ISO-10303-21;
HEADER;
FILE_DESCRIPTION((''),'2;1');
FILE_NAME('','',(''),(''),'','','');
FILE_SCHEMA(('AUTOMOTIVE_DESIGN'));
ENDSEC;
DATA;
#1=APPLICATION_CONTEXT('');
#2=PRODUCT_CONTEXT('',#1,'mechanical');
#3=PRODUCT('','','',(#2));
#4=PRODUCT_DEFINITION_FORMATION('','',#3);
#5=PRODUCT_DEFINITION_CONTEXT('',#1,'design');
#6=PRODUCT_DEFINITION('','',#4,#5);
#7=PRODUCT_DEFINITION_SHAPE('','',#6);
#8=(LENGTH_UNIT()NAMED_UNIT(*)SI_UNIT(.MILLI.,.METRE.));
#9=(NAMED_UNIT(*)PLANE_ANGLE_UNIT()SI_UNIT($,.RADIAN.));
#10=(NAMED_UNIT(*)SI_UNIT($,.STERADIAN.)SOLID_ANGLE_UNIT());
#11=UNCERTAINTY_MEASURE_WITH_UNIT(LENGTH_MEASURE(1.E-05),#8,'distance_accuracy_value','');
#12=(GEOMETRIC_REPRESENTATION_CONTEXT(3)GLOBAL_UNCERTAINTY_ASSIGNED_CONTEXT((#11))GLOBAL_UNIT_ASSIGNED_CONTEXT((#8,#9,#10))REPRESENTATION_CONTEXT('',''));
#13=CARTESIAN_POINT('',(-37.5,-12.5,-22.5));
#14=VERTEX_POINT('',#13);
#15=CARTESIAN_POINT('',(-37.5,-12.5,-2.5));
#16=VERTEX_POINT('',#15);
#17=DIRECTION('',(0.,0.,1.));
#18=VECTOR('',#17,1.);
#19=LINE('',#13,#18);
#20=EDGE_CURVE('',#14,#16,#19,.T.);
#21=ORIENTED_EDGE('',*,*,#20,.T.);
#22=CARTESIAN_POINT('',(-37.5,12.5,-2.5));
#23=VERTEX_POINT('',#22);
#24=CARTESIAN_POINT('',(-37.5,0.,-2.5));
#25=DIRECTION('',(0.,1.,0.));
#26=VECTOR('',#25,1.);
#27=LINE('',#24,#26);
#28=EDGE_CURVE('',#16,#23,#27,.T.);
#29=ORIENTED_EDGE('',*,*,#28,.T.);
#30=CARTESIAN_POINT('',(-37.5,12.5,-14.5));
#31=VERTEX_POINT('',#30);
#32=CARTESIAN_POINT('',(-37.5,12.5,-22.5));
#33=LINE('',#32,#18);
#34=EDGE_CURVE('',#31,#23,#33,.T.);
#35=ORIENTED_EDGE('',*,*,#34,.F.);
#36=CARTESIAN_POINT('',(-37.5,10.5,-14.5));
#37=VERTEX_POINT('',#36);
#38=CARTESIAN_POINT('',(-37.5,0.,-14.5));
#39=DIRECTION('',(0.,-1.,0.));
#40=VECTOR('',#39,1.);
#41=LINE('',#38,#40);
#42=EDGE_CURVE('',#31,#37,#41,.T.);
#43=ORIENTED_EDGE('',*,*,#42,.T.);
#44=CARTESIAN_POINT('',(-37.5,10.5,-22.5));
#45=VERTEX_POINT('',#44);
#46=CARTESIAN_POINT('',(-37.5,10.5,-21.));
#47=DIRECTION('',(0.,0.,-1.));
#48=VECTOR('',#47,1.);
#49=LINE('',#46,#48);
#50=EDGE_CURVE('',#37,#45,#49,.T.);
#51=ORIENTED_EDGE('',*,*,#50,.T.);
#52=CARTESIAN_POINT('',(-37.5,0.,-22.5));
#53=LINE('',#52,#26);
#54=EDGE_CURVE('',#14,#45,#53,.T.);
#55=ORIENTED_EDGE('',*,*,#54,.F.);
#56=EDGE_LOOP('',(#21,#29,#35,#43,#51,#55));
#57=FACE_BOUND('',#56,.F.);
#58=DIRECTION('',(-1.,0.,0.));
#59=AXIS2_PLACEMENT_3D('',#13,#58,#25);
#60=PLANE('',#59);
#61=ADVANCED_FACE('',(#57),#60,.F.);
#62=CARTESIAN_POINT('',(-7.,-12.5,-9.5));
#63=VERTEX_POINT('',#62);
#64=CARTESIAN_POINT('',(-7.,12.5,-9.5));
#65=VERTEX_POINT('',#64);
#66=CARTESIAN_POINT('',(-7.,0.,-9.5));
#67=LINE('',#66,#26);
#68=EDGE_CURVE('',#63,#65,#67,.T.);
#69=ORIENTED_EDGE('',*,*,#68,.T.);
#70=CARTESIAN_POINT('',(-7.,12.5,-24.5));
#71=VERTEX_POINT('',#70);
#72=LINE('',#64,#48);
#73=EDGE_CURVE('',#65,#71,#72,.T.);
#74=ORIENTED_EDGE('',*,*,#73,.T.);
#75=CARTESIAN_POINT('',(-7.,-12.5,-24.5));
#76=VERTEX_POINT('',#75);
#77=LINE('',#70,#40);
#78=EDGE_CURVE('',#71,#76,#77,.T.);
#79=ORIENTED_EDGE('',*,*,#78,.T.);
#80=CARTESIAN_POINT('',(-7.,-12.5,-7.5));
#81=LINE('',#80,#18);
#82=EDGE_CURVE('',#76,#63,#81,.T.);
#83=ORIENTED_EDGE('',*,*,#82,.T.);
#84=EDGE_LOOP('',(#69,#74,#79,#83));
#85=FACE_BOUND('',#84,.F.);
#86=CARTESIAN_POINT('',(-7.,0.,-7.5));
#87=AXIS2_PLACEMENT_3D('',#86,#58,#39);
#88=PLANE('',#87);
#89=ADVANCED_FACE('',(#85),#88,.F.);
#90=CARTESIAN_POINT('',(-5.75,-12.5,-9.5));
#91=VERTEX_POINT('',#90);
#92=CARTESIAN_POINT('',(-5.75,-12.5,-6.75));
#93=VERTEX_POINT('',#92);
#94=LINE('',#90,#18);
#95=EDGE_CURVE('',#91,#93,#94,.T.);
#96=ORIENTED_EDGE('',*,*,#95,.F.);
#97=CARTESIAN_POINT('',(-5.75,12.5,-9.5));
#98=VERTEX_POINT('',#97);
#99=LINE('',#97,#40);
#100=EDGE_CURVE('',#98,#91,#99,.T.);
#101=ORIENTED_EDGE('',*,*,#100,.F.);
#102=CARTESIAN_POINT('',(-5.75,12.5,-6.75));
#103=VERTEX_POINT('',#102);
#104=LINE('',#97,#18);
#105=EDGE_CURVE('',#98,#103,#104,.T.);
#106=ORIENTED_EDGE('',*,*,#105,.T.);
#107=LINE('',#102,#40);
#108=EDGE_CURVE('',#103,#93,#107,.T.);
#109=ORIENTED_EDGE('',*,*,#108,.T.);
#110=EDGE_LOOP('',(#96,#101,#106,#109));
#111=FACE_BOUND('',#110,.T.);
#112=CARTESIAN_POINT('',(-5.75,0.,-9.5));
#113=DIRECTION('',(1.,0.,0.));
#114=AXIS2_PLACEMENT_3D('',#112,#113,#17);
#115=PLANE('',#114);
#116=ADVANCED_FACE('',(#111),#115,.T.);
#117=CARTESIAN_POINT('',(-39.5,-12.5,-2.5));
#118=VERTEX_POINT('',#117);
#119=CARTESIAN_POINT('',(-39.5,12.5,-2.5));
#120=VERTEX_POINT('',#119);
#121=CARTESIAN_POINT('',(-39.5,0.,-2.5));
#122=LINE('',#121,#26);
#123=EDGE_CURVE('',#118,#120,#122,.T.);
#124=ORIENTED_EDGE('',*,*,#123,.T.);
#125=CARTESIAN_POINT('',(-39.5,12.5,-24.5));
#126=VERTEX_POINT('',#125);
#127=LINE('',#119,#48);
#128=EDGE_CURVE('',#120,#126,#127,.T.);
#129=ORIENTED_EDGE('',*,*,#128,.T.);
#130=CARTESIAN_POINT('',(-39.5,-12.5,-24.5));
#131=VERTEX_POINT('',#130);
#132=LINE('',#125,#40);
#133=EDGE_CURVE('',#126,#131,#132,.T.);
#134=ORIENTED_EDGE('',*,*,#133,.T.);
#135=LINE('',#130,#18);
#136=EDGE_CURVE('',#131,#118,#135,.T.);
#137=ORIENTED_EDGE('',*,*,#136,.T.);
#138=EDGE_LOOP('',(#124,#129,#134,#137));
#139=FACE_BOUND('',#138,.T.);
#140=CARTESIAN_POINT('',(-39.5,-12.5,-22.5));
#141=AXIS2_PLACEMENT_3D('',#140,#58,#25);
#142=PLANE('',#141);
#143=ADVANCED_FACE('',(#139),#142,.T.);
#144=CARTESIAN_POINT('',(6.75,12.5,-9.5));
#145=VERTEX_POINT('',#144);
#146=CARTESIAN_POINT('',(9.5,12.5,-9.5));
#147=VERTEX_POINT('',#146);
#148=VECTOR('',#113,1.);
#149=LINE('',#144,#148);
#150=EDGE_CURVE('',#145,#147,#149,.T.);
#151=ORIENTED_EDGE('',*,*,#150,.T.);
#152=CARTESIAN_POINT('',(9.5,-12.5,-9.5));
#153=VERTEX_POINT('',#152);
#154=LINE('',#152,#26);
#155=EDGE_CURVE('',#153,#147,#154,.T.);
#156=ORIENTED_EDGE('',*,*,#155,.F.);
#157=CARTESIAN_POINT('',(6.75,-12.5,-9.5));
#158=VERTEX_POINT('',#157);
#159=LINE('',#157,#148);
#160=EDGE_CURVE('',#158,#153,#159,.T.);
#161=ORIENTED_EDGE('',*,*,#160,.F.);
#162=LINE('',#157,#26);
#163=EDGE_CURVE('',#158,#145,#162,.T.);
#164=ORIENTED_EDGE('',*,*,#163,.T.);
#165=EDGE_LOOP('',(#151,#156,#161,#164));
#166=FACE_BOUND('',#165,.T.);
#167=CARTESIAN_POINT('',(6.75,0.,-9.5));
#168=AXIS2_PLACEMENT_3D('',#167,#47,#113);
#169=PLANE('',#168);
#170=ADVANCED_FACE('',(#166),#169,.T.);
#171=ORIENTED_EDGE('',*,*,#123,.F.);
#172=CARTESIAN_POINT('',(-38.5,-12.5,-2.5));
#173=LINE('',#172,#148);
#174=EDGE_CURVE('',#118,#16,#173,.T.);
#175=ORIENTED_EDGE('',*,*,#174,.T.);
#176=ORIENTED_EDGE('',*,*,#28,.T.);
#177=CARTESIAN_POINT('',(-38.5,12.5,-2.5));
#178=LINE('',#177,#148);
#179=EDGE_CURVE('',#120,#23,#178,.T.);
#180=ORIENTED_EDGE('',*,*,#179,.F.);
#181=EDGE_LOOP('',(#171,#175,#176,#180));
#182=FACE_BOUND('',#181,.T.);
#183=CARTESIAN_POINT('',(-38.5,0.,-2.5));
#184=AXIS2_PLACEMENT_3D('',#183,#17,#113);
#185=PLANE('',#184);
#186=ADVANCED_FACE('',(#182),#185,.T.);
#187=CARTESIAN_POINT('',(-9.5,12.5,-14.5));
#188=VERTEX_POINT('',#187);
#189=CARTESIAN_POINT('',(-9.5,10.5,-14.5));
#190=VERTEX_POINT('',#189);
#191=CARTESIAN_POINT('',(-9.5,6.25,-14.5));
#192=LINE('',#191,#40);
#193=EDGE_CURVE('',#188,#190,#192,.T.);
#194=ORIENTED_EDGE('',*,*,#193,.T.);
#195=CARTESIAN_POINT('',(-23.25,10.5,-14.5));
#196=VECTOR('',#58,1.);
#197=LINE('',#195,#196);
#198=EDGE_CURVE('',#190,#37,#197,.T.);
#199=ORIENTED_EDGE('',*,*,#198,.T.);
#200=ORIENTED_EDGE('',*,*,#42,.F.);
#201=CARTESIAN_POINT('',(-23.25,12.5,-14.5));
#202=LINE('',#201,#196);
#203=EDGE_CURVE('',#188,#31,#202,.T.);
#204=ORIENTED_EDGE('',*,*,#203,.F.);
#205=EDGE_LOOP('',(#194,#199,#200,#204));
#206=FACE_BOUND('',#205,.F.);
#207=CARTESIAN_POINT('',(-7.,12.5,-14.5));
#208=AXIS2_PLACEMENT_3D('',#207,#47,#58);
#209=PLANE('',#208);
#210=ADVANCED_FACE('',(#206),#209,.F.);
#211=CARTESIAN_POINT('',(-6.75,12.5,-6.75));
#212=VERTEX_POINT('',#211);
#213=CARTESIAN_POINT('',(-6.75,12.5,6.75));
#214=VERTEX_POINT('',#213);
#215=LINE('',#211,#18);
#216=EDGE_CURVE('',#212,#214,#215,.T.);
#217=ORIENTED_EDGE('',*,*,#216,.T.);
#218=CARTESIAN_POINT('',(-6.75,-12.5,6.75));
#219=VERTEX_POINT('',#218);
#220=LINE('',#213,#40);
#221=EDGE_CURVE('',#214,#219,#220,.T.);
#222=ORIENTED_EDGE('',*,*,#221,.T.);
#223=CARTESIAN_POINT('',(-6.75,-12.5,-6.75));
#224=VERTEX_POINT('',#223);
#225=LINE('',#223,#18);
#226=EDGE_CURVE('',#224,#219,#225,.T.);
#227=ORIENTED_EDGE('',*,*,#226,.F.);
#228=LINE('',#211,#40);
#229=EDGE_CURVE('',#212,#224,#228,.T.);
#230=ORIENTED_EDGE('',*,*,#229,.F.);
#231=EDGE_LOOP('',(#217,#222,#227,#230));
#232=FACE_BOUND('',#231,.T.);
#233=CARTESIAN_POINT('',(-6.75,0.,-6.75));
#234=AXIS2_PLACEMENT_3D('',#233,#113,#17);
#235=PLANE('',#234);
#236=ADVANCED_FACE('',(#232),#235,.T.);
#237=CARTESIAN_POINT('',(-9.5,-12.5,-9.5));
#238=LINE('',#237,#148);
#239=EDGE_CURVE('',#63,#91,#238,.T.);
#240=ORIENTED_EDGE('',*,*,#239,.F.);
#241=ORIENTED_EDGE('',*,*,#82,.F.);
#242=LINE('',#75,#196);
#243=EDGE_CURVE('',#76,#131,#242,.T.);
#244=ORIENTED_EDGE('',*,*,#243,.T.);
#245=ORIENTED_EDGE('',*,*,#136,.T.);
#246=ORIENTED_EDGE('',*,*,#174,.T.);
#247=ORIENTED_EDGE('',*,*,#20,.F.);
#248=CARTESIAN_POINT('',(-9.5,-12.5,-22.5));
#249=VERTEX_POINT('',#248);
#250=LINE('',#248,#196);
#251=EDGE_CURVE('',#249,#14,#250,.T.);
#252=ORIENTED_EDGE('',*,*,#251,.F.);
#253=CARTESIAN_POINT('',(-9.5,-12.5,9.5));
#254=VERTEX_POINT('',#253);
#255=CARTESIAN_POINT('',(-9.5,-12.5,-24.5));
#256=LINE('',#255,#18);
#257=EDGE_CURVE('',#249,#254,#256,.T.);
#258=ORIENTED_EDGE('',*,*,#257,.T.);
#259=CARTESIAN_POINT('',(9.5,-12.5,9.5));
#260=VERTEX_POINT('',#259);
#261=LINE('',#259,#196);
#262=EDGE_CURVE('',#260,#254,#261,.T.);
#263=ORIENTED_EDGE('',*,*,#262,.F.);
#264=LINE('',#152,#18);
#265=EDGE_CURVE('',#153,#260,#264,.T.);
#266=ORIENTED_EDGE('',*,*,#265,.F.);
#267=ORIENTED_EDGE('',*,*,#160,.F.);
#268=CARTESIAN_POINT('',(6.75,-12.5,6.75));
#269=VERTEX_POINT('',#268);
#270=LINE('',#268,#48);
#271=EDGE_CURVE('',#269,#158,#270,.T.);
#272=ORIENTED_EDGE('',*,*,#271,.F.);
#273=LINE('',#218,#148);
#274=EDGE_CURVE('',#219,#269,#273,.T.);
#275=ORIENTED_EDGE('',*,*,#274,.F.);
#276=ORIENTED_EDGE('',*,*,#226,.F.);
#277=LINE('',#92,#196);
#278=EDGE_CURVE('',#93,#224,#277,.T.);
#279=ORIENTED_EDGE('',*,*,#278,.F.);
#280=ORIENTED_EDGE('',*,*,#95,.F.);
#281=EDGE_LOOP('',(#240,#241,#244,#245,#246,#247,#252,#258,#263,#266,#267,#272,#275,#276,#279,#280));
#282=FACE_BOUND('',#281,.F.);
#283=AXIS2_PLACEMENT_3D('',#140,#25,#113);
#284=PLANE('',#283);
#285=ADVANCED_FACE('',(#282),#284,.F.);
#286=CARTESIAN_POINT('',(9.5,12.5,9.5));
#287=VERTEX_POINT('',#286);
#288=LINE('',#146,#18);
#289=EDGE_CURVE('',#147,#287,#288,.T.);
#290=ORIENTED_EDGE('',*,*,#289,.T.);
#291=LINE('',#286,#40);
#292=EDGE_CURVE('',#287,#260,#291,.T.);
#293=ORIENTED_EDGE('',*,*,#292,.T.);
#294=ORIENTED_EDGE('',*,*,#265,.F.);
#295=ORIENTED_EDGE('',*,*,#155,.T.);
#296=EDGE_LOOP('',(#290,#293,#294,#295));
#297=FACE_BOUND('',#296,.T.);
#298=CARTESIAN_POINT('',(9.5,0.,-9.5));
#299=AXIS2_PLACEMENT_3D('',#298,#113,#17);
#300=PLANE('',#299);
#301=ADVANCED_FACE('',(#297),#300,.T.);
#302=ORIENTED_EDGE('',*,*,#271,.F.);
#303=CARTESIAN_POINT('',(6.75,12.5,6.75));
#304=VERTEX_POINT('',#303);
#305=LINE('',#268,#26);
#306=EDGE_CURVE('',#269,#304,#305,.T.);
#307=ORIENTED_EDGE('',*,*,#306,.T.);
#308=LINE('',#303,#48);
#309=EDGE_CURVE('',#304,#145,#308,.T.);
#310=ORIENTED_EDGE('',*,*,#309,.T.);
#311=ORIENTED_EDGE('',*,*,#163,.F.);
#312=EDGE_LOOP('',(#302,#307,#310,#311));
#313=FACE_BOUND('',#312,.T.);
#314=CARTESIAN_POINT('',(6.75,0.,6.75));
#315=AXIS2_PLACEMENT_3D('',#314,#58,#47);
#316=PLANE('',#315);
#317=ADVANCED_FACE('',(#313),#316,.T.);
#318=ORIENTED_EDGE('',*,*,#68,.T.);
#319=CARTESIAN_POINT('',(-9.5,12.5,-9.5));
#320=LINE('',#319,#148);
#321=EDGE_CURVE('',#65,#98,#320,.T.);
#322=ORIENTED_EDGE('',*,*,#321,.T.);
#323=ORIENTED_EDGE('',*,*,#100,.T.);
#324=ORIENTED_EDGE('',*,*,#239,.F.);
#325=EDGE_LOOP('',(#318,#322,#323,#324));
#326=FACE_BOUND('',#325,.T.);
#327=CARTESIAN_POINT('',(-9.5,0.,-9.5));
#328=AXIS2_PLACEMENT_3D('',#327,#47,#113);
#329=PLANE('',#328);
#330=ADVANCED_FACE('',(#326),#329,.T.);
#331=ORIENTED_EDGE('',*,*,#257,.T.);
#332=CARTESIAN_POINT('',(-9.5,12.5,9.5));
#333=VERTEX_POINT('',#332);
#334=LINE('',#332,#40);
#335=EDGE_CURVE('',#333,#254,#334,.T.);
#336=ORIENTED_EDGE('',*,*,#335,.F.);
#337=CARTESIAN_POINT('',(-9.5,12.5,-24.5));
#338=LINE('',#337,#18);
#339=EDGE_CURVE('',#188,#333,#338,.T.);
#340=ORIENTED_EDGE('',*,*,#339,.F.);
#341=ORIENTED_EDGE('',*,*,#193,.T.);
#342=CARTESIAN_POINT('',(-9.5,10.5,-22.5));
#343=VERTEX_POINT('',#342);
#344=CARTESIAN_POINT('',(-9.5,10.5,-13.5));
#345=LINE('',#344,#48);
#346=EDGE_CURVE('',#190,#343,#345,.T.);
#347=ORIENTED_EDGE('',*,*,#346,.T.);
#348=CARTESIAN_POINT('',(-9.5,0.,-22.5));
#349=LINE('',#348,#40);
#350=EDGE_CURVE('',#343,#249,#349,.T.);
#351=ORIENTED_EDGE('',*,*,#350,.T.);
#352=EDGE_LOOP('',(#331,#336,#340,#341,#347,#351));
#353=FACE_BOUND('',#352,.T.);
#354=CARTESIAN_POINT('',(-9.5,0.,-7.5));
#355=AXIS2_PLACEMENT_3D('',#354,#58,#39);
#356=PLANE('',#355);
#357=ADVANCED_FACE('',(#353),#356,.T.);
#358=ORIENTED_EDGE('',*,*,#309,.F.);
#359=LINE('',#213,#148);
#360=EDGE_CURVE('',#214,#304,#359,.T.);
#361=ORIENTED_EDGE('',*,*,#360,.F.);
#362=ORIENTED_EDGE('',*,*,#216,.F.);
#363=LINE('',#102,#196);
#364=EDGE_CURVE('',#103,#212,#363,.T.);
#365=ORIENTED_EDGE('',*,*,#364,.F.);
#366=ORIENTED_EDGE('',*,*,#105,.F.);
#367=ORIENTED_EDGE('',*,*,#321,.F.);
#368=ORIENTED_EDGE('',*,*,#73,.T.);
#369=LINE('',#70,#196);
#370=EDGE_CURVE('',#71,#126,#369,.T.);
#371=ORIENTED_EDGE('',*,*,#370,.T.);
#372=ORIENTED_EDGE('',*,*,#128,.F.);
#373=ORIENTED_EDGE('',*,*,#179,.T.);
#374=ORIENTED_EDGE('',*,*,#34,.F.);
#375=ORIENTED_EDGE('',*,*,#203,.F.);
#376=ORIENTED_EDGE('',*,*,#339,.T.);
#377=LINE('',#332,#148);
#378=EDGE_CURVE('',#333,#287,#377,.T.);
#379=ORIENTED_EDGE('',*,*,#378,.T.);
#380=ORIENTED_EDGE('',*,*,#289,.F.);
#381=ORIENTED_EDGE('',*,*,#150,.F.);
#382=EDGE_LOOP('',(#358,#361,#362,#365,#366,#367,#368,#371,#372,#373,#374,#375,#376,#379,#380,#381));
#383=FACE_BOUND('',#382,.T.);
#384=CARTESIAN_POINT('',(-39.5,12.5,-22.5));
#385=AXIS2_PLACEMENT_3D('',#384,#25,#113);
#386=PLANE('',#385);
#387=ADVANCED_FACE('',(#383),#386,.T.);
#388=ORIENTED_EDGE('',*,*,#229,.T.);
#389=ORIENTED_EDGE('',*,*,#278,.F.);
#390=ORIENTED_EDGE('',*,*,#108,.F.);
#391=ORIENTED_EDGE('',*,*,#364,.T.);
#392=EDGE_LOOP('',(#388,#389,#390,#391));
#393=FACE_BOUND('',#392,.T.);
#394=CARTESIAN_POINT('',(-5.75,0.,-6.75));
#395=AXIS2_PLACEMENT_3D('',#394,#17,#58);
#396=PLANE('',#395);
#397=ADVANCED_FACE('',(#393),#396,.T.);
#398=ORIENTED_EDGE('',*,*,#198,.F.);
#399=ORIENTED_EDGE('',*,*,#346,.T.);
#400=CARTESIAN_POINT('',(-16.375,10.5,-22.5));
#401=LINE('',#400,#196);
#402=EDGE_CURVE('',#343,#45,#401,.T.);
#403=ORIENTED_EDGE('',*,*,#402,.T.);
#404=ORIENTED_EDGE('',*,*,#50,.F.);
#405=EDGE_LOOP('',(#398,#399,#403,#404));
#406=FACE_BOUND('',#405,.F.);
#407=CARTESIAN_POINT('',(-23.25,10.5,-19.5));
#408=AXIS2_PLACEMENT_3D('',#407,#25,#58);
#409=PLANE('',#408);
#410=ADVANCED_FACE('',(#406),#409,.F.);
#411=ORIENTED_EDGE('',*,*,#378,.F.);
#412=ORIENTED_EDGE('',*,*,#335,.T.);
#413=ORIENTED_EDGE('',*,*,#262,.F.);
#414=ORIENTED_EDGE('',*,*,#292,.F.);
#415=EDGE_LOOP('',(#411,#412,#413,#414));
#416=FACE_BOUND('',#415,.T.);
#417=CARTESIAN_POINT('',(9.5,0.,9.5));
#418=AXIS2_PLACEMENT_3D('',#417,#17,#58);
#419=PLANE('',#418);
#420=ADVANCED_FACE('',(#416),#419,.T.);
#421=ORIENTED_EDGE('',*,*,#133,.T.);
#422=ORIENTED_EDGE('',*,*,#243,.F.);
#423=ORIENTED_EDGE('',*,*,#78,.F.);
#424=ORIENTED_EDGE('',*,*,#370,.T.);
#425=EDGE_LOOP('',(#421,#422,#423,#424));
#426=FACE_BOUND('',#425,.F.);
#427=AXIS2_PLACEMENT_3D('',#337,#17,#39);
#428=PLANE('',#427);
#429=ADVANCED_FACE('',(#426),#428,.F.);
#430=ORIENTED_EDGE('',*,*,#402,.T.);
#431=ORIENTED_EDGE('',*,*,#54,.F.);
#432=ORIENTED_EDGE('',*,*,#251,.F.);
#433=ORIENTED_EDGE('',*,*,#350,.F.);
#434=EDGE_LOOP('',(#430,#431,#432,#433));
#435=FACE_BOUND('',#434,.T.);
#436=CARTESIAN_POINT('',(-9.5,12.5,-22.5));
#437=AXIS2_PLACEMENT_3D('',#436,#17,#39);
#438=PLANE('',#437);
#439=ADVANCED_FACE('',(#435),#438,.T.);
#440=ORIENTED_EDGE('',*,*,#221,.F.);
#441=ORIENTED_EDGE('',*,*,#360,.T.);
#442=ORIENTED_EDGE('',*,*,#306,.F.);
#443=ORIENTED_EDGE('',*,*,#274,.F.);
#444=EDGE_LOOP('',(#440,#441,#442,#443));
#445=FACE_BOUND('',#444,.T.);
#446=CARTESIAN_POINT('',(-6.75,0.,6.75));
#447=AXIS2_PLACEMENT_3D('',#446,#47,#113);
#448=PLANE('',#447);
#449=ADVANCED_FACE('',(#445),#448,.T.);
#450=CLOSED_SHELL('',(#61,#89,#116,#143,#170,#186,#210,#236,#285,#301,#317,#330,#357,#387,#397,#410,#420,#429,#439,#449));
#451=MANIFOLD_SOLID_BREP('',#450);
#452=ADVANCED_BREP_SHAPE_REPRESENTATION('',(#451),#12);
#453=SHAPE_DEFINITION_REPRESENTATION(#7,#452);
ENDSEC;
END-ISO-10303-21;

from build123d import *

# Parameters (mm, degrees)
F1_DEPTH = 12.5
F2_W     = 25
F2_H     = 34
F3_DEPTH = 2.5
F4_W     = 25
F4_H     = 2
F5_DEPTH = 30
F6_W     = 2
F6_H     = 25
F7_DEPTH = 20
F8_W     = 32.5
F8_H     = 10
F9_DEPTH = 2


with BuildPart() as f1:
    # F0 (on Front) → F1 (new body, symmetric)
    with BuildSketch(Plane.XZ):
        Polygon((9.5, -9.5), (9.5, 9.5), (-9.5, 9.5), (-9.5, -9.5), (-5.75, -9.5), (-5.75, -6.75), (-6.75, -6.75), (-6.75, 6.75), (6.75, 6.75), (6.75, -6.75), (6.75, -9.5), align=None)
    extrude(amount=F1_DEPTH, both=True)

    # F2 (on face) → F3 (join)
    with BuildSketch(Plane(origin=(-9.5, 0, 0), x_dir=(0, -1, 0), z_dir=(-1, 0, 0))):
        with Locations((0, -7.5)):
            Rectangle(F2_W, F2_H)
    extrude(amount=-F3_DEPTH)

    # F4 (on face) → F5 (join)
    with BuildSketch(Plane(origin=(-9.5, 0, 0), x_dir=(0, -1, 0), z_dir=(-1, 0, 0))):
        with Locations((0, -23.5)):
            Rectangle(F4_W, F4_H)
    extrude(amount=F5_DEPTH)

    # F6 (on face) → F7 (join)
    with BuildSketch(Plane.XY.offset(-22.5)):
        with Locations((-38.5, 0)):
            Rectangle(F6_W, F6_H)
    extrude(amount=F7_DEPTH)

    # F8 (on face) → F9 (join)
    with BuildSketch(Plane(origin=(0, 12.5, 0), x_dir=(-1, 0, 0), z_dir=(0, 1, 0))):
        with Locations((23.25, -19.5)):
            Rectangle(F8_W, F8_H)
    extrude(amount=-F9_DEPTH)


solid = f1.part
